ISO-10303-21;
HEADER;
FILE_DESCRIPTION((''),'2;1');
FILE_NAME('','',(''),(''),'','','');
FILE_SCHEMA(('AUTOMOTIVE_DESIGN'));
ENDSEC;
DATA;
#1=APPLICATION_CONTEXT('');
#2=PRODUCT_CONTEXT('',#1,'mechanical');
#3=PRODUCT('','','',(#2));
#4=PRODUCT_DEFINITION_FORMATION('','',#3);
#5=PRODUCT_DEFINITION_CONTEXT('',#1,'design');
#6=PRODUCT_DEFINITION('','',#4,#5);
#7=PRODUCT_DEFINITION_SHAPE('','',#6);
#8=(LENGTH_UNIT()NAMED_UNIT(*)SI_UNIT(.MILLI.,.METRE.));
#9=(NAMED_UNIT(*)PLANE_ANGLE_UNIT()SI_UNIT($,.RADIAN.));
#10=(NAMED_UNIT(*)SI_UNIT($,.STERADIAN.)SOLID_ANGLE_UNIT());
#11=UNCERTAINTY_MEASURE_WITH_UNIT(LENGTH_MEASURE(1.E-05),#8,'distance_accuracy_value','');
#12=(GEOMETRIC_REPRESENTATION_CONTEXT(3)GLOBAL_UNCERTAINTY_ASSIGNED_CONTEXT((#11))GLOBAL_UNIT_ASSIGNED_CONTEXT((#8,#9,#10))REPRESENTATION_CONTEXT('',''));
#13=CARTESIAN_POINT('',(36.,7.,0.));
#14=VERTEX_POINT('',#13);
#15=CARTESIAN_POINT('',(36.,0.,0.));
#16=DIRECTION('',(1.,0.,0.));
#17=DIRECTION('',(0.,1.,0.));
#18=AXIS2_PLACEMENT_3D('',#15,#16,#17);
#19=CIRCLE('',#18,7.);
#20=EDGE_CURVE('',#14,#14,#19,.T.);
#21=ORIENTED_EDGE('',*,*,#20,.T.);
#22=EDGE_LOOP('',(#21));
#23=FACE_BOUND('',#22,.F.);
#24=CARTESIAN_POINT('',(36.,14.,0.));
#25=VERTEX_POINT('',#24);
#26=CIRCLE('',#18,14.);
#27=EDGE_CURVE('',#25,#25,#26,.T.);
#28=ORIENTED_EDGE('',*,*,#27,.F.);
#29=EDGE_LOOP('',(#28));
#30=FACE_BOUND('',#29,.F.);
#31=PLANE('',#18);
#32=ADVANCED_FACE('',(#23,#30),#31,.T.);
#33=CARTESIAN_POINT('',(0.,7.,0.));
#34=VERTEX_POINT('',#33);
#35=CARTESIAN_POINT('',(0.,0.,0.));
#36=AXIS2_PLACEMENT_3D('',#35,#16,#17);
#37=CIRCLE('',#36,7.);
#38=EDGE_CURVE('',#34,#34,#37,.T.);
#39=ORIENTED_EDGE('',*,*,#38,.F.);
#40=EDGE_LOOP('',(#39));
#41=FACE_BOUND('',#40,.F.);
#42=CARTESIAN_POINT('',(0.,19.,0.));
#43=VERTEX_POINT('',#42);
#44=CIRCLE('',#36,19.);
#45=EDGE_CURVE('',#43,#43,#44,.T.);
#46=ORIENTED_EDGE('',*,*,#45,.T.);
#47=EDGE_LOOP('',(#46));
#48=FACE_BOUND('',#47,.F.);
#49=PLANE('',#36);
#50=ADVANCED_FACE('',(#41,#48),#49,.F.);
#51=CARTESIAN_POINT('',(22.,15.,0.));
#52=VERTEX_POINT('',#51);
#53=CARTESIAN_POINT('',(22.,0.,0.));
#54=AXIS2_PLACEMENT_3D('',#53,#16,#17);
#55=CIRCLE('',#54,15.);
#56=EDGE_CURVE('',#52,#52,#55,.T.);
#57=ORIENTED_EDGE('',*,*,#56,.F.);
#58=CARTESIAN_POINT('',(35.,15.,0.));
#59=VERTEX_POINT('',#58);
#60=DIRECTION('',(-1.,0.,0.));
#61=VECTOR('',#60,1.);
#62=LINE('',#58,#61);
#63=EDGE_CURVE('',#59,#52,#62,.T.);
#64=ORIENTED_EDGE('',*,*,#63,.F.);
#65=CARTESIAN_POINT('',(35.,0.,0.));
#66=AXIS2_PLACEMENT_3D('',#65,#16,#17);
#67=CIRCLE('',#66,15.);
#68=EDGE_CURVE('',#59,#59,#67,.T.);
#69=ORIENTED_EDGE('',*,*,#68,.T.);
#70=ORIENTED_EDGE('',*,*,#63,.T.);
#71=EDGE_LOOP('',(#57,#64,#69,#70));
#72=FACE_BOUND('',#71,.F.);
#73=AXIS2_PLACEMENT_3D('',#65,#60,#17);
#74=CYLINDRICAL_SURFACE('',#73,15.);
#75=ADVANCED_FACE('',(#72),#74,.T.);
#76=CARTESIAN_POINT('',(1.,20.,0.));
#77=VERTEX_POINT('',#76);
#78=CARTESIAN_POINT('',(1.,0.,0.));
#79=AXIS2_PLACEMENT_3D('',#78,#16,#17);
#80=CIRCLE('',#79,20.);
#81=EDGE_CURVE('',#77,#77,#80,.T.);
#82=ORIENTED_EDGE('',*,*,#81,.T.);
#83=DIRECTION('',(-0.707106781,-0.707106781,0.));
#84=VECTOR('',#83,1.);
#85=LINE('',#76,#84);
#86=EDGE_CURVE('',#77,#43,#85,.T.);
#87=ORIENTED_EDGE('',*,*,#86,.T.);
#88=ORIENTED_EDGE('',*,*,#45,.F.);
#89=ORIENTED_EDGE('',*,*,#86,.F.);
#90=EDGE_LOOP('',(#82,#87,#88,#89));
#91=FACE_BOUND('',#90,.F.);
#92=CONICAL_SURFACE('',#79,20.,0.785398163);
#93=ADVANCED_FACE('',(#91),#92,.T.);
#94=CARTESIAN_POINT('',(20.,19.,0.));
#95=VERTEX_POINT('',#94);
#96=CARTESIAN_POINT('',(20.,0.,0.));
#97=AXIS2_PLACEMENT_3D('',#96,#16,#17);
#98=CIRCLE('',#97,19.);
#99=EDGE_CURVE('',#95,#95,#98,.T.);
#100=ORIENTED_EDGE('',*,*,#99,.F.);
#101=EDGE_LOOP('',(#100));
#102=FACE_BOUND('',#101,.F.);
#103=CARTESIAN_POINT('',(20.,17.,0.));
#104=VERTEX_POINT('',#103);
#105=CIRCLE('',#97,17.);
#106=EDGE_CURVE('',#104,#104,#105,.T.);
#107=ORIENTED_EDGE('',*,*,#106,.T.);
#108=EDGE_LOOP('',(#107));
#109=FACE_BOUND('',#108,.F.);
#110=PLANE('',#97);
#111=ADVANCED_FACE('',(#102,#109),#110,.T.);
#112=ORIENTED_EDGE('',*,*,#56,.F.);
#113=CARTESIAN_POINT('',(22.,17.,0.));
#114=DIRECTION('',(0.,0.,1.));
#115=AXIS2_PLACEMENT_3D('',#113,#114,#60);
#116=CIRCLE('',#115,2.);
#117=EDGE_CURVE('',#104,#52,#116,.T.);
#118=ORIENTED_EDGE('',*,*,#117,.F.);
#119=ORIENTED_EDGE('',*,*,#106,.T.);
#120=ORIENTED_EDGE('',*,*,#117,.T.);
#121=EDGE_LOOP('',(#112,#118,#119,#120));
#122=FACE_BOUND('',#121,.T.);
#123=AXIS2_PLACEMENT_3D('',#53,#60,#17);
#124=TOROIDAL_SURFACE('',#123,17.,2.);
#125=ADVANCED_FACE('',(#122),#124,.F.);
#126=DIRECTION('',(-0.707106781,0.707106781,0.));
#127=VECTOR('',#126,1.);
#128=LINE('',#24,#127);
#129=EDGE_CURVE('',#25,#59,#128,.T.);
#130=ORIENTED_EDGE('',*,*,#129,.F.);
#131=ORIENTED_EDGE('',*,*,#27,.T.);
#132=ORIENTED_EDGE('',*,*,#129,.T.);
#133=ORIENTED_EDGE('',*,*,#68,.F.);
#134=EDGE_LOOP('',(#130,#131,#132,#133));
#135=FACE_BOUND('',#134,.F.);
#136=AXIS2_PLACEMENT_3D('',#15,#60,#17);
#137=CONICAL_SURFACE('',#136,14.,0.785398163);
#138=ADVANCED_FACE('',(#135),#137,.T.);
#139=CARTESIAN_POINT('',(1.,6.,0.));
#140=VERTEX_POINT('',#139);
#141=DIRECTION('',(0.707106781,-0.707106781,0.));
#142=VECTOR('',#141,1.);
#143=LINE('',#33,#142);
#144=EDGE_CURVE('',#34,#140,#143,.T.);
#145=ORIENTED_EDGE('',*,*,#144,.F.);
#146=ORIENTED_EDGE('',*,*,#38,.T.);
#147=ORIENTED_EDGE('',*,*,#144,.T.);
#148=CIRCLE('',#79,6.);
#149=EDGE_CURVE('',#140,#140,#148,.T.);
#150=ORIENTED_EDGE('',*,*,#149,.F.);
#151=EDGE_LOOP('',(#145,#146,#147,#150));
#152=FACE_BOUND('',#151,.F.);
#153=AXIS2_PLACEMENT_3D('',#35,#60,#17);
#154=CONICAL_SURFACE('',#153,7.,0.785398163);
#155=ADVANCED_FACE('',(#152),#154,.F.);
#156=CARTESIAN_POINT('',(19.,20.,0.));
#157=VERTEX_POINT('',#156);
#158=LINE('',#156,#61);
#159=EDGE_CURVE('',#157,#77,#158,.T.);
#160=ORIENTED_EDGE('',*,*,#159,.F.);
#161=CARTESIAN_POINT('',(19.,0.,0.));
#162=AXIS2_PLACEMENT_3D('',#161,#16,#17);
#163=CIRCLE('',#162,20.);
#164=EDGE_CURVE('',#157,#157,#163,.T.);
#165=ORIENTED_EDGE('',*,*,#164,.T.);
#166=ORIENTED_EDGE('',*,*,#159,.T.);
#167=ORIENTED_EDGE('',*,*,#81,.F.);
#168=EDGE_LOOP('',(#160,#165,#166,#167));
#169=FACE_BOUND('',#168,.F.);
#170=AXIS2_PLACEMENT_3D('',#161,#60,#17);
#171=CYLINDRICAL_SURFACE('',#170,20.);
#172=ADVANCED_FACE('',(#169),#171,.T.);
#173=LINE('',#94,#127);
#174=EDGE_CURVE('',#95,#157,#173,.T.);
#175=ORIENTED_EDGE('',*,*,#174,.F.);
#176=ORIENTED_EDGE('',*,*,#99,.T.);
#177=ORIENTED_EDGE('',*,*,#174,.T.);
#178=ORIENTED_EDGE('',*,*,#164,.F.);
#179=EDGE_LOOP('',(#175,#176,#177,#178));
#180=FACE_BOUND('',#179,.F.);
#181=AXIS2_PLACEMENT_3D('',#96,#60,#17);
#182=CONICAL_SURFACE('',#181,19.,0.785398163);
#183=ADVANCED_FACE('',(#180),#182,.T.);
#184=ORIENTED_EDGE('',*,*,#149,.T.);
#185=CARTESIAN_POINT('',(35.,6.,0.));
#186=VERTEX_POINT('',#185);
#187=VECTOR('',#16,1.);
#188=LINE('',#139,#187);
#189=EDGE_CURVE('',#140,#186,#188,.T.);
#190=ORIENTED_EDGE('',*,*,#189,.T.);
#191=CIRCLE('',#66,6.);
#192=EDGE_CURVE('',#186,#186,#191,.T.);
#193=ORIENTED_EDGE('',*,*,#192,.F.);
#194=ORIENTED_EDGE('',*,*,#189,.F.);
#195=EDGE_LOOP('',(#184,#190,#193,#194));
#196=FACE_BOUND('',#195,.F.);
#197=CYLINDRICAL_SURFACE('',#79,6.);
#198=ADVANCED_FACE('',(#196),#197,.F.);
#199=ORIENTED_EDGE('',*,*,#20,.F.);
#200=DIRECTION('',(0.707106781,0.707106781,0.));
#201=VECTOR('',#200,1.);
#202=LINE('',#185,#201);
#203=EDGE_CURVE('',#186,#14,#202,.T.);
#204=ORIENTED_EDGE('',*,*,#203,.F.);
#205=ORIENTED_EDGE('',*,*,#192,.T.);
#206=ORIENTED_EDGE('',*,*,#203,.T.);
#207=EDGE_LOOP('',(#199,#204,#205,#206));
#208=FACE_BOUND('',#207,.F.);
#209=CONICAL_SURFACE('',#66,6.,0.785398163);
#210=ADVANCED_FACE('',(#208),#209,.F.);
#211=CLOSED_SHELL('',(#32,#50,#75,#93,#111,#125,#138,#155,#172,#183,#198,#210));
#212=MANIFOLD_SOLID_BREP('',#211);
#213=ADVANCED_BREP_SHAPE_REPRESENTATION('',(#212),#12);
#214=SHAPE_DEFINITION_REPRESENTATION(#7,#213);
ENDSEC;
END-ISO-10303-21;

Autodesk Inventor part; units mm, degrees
ref_plane "YZ Plane" through (0, 0, 0) normal (1, 0, 0) x (0, 1, 0)
ref_plane "XZ Plane" through (0, 0, 0) normal (0, 1, 0) x (-1, 0, 0)
ref_plane "XY Plane" through (0, 0, 0) normal (0, 0, 1) x (1, 0, 0)
sketch "Sketch_8" plane through (0, 0, 0) normal (0, 0, 1) x (1, 0, 0)
  line L0 (36, 0) -> (0, 0)
  line L1 (0, 7) -> (1, 6)
  line L2 (1, 6) -> (35, 6)
  line L3 (35, 6) -> (36, 7)
  line L4 (36, 7) -> (36, 14)
  line L5 (36, 14) -> (35, 15)
  line L6 (35, 15) -> (22, 15)
  arc A0 (20, 17) -> (22, 15) centre (22, 17) ccw
  line L7 (20, 17) -> (20, 19)
  line L8 (20, 19) -> (19, 20)
  line L9 (19, 20) -> (1, 20)
  line L10 (1, 20) -> (0, 19)
  line L11 (0, 19) -> (0, 7)
revolve "Revolution1" add sketch "Sketch_8" angle 360 about axis through (36, 0, 0) along (1, 0, 0)
properties part number "歯車m2,z18"
